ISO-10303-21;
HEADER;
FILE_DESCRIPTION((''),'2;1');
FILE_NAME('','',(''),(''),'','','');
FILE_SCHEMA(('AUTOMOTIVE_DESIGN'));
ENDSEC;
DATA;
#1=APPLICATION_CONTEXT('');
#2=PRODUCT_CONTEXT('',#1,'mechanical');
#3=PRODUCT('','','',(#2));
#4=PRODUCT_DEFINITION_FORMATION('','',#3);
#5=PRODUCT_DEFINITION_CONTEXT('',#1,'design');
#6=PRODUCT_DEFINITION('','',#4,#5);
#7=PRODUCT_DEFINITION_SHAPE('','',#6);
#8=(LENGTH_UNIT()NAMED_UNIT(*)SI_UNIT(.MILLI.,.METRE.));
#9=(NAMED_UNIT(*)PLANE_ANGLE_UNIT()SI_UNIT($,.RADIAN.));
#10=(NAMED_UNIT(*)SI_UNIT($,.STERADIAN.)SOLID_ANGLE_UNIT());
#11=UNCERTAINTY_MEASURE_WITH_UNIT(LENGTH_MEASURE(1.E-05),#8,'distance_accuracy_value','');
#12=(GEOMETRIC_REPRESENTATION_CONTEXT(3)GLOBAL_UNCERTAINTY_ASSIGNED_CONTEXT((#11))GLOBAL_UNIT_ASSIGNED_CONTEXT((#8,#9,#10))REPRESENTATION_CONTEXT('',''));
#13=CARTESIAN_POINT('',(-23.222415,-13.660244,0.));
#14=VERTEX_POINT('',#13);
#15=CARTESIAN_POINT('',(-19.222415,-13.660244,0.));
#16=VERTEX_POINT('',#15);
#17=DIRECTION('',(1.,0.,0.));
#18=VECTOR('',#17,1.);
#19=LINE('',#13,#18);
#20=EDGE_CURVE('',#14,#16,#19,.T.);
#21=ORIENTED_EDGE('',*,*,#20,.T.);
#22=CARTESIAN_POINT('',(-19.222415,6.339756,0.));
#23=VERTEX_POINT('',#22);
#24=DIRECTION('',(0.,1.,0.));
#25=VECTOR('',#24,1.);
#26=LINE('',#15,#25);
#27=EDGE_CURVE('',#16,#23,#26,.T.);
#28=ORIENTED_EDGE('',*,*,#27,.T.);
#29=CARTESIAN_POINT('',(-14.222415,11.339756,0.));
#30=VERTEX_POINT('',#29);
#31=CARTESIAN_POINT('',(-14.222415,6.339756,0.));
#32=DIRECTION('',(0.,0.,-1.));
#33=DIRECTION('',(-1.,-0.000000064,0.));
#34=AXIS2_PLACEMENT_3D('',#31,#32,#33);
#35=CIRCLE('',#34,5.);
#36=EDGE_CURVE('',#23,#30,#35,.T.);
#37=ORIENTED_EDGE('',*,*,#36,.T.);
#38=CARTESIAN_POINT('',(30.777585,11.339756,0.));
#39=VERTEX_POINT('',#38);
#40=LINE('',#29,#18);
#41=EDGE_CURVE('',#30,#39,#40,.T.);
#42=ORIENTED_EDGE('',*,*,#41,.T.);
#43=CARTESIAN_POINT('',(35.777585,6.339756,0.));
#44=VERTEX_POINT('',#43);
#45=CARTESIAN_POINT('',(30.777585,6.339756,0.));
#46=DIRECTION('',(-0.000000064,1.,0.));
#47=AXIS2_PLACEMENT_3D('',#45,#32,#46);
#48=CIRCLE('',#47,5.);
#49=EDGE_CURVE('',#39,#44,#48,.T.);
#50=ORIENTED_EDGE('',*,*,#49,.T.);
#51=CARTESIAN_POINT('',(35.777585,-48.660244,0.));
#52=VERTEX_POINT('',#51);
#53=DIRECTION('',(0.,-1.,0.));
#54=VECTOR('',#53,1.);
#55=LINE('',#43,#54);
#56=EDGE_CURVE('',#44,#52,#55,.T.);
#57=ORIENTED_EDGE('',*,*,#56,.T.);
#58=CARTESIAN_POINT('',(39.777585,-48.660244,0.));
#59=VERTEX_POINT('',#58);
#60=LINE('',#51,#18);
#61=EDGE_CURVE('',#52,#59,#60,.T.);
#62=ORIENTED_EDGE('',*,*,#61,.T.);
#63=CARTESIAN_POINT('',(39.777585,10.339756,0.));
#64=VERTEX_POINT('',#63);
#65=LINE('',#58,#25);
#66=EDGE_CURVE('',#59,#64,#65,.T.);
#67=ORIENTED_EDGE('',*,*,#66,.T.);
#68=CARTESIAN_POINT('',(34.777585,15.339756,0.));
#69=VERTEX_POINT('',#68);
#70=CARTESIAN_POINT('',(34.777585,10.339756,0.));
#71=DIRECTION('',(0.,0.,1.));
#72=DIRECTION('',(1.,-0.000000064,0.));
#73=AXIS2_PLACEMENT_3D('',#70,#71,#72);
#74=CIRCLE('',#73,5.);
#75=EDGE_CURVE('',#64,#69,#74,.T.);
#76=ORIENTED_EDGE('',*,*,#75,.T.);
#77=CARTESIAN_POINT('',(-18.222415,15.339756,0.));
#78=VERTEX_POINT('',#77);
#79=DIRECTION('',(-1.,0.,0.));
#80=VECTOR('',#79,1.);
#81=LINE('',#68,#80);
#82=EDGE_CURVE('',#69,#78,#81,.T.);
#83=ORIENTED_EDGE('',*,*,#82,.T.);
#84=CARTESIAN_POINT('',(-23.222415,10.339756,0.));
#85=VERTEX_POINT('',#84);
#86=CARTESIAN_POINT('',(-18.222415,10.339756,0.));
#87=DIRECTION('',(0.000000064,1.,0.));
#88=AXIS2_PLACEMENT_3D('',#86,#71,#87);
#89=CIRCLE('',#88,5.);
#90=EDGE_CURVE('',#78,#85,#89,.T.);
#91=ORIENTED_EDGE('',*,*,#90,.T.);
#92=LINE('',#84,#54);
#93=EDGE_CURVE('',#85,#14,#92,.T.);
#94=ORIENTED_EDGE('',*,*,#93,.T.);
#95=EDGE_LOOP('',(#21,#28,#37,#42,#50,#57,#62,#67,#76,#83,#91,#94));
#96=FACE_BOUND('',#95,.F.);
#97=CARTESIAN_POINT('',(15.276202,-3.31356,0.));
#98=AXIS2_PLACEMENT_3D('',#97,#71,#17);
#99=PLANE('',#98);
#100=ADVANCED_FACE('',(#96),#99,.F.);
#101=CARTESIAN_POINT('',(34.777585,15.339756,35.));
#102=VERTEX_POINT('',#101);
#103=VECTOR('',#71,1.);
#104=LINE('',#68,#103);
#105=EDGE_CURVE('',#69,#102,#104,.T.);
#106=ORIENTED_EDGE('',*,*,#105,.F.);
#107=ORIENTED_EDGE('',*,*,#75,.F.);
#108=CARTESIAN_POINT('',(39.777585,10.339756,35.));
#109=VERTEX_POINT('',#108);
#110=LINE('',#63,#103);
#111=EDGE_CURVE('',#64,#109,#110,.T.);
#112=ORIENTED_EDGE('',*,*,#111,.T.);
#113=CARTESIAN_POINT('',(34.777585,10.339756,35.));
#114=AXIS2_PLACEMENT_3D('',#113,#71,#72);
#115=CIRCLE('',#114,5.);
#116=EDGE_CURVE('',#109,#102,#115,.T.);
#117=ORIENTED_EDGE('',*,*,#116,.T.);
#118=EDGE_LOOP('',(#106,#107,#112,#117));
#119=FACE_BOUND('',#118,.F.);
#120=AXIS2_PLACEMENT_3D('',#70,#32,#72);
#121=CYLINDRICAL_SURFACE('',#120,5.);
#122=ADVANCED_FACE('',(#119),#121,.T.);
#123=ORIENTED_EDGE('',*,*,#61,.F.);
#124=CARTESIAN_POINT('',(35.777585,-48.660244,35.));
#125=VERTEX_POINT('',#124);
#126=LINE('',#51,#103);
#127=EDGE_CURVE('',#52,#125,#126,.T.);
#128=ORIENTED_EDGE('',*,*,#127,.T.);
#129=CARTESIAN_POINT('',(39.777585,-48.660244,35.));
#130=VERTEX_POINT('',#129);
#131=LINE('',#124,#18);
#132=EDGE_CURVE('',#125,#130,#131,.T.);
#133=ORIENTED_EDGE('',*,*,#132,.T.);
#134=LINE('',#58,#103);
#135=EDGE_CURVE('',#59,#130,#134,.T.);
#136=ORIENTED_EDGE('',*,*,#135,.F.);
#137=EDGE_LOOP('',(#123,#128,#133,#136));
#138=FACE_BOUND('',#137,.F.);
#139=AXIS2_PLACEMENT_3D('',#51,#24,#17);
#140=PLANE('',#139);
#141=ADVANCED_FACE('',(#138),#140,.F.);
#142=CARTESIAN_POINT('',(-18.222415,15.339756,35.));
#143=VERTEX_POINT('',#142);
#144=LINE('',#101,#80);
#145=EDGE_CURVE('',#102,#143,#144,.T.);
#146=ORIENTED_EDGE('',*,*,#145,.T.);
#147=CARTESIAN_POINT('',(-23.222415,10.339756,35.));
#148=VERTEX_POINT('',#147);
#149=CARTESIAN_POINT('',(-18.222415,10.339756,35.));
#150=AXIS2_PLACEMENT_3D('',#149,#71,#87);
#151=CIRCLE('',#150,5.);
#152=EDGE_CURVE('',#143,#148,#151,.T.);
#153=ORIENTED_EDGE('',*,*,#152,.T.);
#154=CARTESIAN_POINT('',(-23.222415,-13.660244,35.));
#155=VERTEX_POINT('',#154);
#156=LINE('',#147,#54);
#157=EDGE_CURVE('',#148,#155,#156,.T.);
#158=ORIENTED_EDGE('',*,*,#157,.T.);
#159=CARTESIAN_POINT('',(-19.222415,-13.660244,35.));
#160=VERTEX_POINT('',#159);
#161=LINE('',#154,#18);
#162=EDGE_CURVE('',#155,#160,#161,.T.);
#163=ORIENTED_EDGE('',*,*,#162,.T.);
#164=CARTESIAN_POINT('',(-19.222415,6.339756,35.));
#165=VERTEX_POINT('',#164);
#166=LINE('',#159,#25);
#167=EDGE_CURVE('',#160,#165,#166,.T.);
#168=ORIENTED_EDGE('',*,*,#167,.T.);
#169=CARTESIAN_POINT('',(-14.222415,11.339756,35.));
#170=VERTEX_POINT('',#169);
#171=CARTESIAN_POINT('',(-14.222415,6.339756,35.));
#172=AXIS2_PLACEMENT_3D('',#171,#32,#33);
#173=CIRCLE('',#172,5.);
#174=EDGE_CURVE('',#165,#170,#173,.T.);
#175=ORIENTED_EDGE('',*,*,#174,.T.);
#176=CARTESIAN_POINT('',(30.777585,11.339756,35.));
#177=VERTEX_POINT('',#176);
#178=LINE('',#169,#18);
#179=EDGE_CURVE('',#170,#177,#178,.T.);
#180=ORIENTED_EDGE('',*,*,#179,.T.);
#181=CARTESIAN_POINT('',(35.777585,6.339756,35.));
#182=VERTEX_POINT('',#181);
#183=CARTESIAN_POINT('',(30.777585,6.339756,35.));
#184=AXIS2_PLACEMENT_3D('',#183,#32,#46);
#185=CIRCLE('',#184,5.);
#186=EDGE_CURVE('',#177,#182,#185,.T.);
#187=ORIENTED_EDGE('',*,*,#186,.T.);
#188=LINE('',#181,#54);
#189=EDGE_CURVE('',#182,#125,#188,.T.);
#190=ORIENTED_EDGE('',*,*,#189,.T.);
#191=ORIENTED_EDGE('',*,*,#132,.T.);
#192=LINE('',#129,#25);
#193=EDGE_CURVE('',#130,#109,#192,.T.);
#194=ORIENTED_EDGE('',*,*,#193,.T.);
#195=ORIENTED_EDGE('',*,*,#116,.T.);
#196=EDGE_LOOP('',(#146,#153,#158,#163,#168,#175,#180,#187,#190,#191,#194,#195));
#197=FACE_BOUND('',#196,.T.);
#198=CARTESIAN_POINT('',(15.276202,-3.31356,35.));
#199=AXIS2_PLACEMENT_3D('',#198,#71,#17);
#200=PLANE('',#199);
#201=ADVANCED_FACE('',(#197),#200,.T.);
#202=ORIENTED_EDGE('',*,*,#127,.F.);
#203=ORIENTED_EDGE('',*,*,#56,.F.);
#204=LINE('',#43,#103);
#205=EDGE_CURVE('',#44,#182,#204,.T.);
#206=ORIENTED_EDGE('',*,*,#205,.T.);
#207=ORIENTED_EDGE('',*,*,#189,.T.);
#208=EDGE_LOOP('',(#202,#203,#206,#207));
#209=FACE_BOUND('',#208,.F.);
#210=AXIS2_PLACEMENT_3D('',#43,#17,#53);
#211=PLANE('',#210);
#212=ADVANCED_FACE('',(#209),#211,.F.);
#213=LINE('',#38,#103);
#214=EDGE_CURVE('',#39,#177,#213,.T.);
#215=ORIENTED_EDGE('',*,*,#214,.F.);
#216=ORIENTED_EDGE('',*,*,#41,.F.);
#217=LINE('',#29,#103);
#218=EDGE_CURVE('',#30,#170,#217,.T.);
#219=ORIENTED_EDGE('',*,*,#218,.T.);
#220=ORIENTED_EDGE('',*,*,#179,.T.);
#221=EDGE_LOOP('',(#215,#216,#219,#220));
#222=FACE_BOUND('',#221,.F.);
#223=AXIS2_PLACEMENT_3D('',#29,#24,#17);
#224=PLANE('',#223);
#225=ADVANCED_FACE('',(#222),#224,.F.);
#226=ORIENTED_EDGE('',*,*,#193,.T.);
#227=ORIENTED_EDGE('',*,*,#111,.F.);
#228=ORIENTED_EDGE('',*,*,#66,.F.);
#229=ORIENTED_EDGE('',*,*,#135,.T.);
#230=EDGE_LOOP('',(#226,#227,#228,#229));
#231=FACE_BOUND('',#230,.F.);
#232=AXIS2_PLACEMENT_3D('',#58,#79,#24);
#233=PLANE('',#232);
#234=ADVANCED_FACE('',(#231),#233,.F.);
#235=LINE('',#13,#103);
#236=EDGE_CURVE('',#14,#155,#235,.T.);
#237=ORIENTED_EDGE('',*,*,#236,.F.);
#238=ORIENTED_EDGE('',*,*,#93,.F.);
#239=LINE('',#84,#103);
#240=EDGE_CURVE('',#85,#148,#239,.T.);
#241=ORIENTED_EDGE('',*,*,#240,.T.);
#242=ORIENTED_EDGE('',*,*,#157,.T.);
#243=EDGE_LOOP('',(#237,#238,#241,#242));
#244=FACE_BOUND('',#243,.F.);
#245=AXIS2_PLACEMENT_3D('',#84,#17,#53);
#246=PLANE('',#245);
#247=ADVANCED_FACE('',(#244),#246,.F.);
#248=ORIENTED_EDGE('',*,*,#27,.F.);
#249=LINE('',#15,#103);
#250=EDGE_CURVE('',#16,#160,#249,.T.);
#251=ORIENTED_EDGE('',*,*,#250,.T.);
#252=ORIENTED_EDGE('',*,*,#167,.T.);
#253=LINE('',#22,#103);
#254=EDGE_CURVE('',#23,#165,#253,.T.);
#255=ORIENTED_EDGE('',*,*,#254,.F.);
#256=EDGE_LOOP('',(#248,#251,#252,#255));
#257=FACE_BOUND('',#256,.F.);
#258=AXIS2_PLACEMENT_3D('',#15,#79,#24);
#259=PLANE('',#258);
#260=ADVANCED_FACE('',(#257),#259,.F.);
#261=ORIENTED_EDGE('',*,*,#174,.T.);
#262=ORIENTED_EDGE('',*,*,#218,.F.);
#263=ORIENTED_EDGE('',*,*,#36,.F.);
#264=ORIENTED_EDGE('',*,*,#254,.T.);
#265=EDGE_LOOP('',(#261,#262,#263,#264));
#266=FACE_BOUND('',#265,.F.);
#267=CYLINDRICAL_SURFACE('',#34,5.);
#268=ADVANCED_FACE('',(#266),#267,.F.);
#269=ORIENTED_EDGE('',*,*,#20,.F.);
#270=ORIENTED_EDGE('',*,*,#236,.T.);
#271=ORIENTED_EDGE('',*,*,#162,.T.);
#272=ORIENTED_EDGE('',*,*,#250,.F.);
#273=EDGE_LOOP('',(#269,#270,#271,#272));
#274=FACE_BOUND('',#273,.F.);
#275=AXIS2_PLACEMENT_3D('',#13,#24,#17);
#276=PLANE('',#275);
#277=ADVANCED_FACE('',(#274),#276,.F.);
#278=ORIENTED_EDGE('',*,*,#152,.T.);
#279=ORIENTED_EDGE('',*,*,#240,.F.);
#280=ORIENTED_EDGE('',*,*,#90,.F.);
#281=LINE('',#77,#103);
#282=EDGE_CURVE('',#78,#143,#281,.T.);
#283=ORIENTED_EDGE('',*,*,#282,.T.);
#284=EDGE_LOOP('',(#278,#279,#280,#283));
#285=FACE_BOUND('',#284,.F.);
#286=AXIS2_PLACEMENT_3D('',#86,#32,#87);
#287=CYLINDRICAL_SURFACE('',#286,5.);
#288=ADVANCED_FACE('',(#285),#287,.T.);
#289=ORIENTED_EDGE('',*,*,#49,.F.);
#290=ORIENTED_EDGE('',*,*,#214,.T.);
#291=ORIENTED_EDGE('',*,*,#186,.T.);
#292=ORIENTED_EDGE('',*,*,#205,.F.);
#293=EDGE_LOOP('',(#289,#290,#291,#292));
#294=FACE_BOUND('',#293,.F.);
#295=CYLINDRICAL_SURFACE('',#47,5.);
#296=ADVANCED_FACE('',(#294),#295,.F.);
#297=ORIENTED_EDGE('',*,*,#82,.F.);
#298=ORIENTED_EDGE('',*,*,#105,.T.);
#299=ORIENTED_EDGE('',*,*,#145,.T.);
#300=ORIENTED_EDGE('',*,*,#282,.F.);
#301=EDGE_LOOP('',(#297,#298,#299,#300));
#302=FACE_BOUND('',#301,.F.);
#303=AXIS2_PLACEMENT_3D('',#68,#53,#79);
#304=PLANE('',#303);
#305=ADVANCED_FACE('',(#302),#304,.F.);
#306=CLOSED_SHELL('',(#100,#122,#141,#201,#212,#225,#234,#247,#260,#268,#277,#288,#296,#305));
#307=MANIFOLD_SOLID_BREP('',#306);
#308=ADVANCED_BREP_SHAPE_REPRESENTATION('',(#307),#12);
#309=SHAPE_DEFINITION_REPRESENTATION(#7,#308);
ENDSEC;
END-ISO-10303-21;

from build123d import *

# Parameters (mm, degrees)
F1_DEPTH = 35


with BuildPart() as f1:
    # F0 (on Top) → F1 (new body)
    with BuildSketch(Plane.XY):
        with BuildLine():
            ThreePointArc((-19.222415, 6.339756), (-17.757949, 9.87529), (-14.222415, 11.339756))
            Line((-14.222415, 11.339756), (30.777585, 11.339756))
            ThreePointArc((30.777585, 11.339756), (34.313119, 9.87529), (35.777585, 6.339756))
            Line((35.777585, 6.339756), (35.777585, -48.660244))
            Line((35.777585, -48.660244), (39.777585, -48.660244))
            Line((39.777585, -48.660244), (39.777585, 10.339756))
            ThreePointArc((39.777585, 10.339756), (38.313119, 13.87529), (34.777585, 15.339756))
            Line((34.777585, 15.339756), (-18.222415, 15.339756))
            ThreePointArc((-18.222415, 15.339756), (-21.757949, 13.87529), (-23.222415, 10.339756))
            Line((-23.222415, 10.339756), (-23.222415, -13.660244))
            Line((-23.222415, -13.660244), (-19.222415, -13.660244))
            Line((-19.222415, -13.660244), (-19.222415, 6.339756))
        make_face()
    extrude(amount=F1_DEPTH)


solid = f1.part
